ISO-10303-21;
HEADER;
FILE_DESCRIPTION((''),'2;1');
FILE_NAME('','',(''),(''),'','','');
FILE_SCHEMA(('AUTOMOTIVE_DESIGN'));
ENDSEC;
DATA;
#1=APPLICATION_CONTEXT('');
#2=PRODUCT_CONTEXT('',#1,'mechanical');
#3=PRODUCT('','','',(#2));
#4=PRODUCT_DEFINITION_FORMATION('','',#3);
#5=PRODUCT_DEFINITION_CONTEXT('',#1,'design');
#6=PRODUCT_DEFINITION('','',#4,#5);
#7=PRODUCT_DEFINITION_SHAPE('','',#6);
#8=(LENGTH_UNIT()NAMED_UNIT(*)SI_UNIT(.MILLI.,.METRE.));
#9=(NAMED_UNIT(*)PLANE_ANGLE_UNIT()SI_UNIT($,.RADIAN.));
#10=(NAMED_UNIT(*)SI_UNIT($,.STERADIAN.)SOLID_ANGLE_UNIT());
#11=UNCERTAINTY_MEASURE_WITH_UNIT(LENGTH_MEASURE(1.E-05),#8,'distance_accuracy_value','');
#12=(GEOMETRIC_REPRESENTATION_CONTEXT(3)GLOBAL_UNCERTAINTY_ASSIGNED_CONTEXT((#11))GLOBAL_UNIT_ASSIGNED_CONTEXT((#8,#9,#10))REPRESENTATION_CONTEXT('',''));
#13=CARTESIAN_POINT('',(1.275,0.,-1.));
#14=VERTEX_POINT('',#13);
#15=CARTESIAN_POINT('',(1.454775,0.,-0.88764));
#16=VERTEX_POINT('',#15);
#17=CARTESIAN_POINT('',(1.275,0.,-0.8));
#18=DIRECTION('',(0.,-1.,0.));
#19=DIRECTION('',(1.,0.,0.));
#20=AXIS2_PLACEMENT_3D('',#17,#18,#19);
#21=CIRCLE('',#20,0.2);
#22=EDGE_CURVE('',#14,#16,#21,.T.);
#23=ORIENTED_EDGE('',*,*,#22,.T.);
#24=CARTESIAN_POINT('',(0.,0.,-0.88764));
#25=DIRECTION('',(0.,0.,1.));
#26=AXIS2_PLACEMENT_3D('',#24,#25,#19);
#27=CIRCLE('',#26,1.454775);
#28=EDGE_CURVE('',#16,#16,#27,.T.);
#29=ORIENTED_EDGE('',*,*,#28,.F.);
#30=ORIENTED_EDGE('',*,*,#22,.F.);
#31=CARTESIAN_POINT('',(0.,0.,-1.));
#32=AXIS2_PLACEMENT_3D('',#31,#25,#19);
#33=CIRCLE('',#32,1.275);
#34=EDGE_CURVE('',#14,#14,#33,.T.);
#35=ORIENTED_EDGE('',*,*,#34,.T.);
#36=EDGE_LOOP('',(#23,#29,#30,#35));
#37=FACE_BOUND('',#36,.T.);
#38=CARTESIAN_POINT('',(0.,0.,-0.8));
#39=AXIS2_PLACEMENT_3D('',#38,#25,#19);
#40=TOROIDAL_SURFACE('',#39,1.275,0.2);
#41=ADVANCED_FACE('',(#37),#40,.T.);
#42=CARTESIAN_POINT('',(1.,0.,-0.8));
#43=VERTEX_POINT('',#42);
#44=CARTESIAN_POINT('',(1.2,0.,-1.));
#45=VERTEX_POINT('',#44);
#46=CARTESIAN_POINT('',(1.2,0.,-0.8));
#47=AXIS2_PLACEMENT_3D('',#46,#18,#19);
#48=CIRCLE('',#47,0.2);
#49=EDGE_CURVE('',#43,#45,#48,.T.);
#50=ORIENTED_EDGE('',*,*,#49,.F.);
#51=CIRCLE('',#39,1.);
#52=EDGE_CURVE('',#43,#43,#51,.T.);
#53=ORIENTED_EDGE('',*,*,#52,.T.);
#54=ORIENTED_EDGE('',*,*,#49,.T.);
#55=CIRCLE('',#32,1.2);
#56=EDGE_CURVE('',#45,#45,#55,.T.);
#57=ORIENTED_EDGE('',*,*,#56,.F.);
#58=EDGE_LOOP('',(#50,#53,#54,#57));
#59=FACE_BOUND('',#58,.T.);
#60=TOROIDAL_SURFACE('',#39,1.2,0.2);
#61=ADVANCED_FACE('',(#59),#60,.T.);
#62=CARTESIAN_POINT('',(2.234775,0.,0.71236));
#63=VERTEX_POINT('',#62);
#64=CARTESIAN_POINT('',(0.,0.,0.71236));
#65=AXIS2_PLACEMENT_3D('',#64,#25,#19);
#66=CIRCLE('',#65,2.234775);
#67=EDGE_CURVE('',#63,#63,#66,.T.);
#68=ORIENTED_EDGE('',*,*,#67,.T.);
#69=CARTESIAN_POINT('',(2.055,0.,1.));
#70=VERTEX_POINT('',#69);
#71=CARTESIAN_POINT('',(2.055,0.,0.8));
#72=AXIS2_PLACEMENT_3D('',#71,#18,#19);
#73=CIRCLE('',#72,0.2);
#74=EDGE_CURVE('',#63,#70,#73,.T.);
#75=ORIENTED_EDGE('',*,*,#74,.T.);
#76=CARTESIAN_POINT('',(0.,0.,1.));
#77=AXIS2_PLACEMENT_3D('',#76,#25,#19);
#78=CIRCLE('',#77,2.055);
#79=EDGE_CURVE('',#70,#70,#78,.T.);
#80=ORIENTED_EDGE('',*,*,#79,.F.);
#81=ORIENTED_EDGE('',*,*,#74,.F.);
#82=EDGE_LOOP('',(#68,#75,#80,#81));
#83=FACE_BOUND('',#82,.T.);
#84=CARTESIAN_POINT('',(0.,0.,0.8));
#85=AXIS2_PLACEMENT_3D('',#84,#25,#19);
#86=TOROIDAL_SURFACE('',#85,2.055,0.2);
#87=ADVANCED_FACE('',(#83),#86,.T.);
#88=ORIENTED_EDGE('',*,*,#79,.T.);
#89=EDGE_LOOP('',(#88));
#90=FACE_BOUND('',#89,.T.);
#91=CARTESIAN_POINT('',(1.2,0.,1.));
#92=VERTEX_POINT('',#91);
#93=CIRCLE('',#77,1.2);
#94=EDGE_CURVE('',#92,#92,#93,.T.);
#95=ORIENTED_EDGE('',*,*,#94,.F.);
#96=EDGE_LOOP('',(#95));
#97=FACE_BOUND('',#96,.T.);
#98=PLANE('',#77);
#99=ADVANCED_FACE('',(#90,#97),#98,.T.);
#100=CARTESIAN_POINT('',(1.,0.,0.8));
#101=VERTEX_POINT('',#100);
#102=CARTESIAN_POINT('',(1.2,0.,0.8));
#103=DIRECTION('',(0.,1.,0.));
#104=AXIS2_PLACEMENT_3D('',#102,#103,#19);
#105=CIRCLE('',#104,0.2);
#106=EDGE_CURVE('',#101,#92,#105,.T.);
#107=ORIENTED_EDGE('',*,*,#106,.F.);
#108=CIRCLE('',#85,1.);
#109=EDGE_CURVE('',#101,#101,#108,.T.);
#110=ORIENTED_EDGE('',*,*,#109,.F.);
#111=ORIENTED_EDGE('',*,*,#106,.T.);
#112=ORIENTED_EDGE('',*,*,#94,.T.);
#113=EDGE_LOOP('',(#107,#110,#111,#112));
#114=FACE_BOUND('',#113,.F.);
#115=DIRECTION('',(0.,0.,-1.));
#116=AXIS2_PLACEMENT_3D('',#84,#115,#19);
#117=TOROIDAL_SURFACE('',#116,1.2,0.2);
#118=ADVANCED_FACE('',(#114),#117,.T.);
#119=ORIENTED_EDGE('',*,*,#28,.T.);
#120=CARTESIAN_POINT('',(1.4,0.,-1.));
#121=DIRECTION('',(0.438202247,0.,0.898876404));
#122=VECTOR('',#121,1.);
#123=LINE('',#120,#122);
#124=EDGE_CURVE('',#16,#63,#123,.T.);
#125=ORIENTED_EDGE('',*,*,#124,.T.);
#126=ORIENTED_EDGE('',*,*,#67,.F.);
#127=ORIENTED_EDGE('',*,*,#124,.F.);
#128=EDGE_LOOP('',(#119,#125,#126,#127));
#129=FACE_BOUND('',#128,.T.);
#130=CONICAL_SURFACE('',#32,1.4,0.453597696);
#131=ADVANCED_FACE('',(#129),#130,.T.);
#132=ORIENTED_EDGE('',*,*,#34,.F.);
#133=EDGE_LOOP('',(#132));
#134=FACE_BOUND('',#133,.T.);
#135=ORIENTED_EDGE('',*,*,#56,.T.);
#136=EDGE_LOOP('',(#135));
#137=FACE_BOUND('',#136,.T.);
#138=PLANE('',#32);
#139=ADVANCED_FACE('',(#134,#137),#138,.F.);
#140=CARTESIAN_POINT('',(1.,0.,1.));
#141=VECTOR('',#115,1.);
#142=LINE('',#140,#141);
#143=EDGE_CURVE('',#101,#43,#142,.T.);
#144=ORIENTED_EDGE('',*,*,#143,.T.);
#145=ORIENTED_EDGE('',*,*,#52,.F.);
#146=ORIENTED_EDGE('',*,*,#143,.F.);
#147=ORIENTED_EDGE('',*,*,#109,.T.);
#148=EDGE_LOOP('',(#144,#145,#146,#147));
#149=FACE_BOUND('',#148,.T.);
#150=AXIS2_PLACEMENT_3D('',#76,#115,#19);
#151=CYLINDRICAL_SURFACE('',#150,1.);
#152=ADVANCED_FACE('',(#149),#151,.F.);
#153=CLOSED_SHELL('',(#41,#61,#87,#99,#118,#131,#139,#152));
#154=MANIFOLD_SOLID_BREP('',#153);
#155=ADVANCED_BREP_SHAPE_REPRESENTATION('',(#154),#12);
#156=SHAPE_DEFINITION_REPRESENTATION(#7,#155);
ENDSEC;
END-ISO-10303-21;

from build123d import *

# Parameters (mm, degrees)
FILLET_R = 0.2


with BuildPart() as part:
    # Sketch → Revolution (revolve)
    with BuildSketch(Plane.XZ):
        Polygon((1, 1), (1, -1), (1.4, -1), (2.375, 1), align=None)
    revolve(axis=Axis((0, 0, 0), (0, 0, 1)))

    # Fillet
    fillet_edges = [part.edges().sort_by_distance(p)[0] for p in [
        (-1, 0, 1),
        (-2.375, 0, 1),
        (-1.4, 0, -1),
        (-1, 0, -1),
    ]]
    fillet(fillet_edges, radius=FILLET_R)


solid = part.part
